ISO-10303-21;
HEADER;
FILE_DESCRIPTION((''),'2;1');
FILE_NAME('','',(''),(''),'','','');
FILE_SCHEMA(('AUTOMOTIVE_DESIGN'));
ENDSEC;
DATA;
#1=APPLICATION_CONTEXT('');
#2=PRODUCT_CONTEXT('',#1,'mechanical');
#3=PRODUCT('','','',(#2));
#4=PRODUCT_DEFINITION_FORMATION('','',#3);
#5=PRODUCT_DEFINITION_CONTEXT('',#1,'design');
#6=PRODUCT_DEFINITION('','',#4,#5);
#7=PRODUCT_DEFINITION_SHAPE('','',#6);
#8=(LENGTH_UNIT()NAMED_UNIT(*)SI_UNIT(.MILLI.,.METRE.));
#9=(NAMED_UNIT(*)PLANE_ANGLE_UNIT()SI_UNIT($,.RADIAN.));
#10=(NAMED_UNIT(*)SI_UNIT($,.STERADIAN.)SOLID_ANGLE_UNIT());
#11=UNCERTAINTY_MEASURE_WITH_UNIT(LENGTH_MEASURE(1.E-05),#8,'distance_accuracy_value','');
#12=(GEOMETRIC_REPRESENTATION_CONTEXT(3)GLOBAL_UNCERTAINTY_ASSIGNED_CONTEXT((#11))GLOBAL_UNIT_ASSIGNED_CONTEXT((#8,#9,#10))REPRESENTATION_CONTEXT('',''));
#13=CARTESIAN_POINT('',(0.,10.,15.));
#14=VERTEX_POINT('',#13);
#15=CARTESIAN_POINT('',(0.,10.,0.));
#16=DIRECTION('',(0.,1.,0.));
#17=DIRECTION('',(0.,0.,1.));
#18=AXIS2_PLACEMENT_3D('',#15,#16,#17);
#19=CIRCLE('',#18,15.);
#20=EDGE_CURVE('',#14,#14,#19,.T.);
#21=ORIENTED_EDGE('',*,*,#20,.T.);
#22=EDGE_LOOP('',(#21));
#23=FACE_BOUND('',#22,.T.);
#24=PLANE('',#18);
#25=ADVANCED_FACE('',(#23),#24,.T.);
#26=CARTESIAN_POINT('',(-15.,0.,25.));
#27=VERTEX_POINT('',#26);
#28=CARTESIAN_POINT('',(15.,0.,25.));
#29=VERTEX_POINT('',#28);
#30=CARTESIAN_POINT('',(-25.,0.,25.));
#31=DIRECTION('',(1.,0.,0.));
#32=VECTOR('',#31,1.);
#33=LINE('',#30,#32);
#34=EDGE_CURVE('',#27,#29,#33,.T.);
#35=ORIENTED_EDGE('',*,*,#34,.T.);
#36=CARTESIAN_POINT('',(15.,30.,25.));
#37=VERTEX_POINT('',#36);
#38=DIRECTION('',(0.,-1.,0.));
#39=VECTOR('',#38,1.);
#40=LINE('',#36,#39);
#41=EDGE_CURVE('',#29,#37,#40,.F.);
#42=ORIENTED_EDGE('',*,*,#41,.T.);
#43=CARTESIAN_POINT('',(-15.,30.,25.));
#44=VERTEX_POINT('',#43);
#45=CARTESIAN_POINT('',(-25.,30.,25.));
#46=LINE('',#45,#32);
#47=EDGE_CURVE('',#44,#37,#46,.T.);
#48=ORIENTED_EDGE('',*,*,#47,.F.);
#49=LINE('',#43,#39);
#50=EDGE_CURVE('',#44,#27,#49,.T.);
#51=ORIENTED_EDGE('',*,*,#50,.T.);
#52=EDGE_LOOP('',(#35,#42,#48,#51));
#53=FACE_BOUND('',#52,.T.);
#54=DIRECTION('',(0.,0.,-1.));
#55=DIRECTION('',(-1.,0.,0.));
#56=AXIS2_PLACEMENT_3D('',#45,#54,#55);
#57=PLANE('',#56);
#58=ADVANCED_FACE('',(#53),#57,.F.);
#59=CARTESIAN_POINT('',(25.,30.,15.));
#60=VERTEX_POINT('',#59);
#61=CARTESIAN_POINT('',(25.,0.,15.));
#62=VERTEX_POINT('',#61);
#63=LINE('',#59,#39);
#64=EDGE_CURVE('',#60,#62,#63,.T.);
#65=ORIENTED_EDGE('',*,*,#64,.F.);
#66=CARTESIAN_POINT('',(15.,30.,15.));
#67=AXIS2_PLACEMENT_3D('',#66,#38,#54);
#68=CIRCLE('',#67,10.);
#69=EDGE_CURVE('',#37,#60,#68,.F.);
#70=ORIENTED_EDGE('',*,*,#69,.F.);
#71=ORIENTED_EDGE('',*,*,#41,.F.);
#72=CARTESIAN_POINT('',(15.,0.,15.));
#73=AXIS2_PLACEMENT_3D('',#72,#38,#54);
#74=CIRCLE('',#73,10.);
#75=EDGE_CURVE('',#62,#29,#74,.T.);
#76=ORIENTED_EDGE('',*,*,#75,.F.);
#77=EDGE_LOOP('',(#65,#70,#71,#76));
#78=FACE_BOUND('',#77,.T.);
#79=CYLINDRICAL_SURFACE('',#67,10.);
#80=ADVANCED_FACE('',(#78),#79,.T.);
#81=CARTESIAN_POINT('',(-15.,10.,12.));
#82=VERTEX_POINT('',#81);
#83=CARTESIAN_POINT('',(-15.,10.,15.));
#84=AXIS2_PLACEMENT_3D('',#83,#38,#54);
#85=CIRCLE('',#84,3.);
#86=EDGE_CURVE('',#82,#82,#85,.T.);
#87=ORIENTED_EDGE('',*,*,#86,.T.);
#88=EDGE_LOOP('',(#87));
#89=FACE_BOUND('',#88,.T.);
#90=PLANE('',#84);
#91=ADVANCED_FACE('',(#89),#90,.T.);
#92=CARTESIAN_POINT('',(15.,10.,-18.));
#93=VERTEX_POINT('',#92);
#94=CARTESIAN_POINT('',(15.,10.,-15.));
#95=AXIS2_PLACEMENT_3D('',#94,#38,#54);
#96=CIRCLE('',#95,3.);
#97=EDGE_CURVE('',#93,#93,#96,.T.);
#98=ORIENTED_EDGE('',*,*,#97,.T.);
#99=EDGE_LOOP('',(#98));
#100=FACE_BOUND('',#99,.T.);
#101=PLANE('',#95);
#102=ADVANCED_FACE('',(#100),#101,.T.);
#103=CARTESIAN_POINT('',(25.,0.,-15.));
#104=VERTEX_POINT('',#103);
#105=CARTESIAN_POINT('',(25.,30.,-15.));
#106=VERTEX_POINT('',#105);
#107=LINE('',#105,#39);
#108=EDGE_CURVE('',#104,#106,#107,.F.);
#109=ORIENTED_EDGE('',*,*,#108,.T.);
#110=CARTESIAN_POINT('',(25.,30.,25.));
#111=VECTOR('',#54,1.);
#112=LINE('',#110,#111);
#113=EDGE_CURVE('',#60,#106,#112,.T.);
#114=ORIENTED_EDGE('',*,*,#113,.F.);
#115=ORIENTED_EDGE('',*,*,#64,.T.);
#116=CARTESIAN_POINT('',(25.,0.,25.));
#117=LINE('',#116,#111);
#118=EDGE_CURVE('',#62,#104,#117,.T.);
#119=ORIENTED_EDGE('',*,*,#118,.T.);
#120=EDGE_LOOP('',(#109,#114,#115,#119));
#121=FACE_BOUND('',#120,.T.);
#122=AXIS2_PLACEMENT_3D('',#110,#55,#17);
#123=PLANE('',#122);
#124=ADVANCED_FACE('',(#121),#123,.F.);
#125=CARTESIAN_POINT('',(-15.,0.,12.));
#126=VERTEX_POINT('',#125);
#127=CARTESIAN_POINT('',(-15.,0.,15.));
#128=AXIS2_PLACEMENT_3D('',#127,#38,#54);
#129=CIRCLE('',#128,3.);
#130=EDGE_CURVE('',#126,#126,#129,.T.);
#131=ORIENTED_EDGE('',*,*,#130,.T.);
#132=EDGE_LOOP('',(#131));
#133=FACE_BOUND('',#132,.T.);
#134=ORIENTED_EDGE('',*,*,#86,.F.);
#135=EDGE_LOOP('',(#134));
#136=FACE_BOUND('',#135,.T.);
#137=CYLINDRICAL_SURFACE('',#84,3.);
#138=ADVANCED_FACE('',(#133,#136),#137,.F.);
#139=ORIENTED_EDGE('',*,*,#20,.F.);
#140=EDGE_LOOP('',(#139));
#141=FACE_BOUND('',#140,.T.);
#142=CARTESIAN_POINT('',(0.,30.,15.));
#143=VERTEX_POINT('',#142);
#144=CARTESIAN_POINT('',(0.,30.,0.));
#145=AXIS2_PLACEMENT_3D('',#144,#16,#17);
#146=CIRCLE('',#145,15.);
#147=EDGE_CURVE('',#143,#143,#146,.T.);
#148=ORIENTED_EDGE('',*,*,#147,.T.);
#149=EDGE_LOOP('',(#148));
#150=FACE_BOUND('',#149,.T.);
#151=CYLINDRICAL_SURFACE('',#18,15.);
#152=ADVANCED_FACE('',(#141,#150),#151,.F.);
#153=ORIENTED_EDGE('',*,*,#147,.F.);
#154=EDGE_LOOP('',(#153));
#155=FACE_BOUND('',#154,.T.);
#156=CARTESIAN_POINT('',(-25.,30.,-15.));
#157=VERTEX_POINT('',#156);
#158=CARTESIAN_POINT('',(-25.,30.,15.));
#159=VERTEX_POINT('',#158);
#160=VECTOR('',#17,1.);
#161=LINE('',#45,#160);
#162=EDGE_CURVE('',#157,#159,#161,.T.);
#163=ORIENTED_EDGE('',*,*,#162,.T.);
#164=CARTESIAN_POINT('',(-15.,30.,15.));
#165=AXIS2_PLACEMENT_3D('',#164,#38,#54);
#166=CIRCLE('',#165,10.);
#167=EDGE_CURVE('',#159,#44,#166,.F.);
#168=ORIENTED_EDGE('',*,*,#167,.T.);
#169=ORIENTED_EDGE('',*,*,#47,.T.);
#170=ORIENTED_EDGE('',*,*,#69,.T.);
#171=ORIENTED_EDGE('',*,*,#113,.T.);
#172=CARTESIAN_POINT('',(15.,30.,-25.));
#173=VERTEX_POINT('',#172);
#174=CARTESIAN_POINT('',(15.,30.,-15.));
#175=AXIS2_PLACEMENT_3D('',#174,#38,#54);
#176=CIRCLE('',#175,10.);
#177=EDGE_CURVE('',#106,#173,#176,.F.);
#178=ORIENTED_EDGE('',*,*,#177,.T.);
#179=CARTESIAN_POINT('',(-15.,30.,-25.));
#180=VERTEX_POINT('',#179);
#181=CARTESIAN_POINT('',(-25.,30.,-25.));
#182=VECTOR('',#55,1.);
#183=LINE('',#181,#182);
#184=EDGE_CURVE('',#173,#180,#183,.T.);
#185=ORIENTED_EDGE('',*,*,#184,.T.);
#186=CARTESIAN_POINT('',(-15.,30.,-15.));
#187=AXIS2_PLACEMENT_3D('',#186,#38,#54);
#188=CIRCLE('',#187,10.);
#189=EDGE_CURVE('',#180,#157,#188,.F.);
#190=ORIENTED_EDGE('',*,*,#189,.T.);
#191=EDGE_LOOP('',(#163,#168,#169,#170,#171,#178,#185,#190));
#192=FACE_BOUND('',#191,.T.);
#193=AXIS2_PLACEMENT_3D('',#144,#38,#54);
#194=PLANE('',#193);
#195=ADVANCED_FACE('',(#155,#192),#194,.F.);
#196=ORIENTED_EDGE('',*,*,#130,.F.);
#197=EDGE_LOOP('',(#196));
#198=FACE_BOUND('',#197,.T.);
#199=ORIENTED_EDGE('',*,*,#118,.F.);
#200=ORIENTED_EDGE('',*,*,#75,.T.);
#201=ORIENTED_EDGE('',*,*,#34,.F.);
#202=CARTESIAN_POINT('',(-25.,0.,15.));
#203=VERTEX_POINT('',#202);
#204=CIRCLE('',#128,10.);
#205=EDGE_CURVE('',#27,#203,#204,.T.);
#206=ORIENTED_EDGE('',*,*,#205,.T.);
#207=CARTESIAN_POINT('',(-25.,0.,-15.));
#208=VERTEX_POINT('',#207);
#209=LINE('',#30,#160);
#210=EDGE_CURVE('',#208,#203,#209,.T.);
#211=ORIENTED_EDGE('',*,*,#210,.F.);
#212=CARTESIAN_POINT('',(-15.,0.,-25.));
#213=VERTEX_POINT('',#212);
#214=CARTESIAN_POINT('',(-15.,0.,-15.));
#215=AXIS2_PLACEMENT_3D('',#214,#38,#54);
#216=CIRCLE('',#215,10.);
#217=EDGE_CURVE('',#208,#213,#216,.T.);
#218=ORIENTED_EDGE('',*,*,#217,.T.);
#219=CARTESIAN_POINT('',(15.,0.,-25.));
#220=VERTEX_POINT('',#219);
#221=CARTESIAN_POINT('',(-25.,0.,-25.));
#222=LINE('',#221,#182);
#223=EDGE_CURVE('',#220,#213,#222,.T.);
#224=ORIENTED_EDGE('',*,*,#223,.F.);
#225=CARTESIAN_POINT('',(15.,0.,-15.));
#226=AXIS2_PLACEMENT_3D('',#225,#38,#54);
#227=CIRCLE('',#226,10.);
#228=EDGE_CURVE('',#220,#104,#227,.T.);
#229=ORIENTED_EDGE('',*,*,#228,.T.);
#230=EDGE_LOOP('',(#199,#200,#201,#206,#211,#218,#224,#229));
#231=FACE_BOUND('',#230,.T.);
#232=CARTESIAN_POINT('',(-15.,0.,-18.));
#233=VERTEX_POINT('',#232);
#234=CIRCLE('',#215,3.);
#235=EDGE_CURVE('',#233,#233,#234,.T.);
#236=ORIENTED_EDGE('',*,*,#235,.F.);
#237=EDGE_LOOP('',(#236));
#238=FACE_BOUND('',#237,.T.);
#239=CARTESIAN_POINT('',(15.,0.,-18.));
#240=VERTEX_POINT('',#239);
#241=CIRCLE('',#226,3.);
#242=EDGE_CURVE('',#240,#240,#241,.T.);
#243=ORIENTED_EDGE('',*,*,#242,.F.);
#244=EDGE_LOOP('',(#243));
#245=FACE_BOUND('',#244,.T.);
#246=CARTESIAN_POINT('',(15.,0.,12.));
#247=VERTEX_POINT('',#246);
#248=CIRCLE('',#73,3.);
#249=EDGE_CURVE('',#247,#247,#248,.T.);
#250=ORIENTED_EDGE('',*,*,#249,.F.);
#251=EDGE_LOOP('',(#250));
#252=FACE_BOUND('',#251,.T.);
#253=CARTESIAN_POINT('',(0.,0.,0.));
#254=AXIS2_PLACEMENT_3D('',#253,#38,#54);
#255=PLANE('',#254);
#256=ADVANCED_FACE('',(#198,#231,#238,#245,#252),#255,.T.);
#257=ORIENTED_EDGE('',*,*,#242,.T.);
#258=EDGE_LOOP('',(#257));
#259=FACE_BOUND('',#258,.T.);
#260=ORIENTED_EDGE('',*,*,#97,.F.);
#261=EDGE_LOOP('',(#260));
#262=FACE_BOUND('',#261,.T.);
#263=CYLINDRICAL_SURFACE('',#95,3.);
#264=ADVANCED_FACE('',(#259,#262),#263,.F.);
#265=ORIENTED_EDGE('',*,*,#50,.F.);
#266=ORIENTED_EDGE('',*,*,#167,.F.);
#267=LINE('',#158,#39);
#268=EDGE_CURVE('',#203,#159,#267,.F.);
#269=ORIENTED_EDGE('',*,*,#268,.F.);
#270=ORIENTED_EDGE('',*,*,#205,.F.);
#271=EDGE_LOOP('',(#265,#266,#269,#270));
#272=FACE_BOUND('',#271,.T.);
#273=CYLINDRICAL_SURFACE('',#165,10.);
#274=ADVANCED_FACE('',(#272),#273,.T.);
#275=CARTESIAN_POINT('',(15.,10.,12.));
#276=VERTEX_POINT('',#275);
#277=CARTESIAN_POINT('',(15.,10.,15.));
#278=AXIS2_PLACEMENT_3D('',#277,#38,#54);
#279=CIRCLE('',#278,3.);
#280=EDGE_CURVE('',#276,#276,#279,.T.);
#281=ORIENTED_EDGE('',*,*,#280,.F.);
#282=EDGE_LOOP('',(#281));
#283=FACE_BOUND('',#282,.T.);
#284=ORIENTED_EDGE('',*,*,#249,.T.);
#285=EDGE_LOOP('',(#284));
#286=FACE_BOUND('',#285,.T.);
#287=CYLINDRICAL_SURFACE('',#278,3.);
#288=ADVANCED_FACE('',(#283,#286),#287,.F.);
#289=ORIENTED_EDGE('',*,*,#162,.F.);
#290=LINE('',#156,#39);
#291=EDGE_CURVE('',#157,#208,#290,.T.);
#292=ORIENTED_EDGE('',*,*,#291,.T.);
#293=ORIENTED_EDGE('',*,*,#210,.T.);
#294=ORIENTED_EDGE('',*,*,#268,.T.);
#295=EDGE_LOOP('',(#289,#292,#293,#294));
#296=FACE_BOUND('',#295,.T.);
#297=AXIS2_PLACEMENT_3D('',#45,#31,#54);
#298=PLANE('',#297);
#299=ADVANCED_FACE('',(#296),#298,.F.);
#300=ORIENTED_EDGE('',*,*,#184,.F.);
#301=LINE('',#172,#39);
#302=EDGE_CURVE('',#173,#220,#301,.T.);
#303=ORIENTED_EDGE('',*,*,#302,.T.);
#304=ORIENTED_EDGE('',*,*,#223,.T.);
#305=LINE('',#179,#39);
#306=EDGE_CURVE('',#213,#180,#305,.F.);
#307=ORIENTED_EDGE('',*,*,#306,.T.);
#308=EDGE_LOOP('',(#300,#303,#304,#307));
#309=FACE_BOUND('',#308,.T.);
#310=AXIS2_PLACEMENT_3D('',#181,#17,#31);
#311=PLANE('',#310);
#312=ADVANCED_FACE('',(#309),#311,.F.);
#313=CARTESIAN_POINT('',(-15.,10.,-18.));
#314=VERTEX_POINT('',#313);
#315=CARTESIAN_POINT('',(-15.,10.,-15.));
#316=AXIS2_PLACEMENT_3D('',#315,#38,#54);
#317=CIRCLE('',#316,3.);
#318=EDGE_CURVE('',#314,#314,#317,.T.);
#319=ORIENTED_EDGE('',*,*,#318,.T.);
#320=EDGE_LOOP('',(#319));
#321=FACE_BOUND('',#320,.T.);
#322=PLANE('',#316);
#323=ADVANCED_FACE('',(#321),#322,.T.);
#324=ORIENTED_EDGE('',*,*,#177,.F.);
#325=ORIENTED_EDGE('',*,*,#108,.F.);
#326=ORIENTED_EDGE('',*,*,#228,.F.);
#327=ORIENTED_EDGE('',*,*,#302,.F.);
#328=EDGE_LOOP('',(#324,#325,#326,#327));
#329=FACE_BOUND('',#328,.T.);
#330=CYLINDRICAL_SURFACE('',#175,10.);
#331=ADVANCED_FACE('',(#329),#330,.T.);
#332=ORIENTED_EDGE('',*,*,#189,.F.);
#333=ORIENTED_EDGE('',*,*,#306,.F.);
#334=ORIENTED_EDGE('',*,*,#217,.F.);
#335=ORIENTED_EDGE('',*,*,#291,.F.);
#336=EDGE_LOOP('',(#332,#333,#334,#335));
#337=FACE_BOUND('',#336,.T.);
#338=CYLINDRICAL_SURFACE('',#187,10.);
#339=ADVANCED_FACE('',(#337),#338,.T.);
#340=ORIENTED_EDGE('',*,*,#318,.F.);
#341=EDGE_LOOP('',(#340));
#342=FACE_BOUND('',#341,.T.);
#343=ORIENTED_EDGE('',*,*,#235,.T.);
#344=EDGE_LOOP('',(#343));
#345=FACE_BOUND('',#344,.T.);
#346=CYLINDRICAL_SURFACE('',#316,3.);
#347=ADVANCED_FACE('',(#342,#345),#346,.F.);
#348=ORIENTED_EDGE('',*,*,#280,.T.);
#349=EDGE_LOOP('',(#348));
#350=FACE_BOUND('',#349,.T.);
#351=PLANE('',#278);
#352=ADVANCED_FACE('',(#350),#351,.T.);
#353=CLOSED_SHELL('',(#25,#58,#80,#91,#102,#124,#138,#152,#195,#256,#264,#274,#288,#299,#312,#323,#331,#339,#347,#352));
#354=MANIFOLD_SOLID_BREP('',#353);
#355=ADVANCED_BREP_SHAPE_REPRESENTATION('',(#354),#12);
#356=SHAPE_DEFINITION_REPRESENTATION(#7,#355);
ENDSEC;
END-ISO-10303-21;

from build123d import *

# Parameters (mm, degrees)
SKETCH1_W           = 50
SKETCH1_H           = 50
BOSS_EXTRUDE1_DEPTH = 30
SKETCH2_R           = 15
CUT_EXTRUDE1_DEPTH  = 20
FILLET1_R           = 10
SKETCH3_R           = 3
CUT_EXTRUDE2_DEPTH  = 10


with BuildPart() as part:
    # Sketch1 → Boss-Extrude1 (new body)
    with BuildSketch(Plane(origin=(0, 0, 0), x_dir=(1, 0, 0), z_dir=(0, 1, 0))):
        Rectangle(SKETCH1_W, SKETCH1_H)
    extrude(amount=BOSS_EXTRUDE1_DEPTH)

    # Sketch2 → Cut-Extrude1 (cut)
    with BuildSketch(Plane(origin=(0, 30, 0), x_dir=(1, 0, 0), z_dir=(0, 1, 0))):
        with Locations(Location((0, 0, 0), (0, 0, 270))):
            Circle(SKETCH2_R)
    extrude(amount=-CUT_EXTRUDE1_DEPTH, mode=Mode.SUBTRACT)

    # Fillet1
    fillet1_edges = [part.edges().sort_by_distance(p)[0] for p in [
        (25, 15, 25),
        (-25, 15, 25),
        (-25, 15, -25),
        (25, 15, -25),
    ]]
    fillet(fillet1_edges, radius=FILLET1_R)

    # Sketch3 → Cut-Extrude2 (cut)
    with BuildSketch(Plane.XZ):
        with Locations(Location((15, -15, 0), (0, 0, 270))):
            Circle(SKETCH3_R)
        with Locations(Location((-15, -15, 0), (0, 0, 270))):
            Circle(SKETCH3_R)
        with Locations(Location((-15, 15, 0), (0, 0, 270))):
            Circle(SKETCH3_R)
        with Locations(Location((15, 15, 0), (0, 0, 270))):
            Circle(SKETCH3_R)
    extrude(amount=-CUT_EXTRUDE2_DEPTH, mode=Mode.SUBTRACT)


solid = part.part
